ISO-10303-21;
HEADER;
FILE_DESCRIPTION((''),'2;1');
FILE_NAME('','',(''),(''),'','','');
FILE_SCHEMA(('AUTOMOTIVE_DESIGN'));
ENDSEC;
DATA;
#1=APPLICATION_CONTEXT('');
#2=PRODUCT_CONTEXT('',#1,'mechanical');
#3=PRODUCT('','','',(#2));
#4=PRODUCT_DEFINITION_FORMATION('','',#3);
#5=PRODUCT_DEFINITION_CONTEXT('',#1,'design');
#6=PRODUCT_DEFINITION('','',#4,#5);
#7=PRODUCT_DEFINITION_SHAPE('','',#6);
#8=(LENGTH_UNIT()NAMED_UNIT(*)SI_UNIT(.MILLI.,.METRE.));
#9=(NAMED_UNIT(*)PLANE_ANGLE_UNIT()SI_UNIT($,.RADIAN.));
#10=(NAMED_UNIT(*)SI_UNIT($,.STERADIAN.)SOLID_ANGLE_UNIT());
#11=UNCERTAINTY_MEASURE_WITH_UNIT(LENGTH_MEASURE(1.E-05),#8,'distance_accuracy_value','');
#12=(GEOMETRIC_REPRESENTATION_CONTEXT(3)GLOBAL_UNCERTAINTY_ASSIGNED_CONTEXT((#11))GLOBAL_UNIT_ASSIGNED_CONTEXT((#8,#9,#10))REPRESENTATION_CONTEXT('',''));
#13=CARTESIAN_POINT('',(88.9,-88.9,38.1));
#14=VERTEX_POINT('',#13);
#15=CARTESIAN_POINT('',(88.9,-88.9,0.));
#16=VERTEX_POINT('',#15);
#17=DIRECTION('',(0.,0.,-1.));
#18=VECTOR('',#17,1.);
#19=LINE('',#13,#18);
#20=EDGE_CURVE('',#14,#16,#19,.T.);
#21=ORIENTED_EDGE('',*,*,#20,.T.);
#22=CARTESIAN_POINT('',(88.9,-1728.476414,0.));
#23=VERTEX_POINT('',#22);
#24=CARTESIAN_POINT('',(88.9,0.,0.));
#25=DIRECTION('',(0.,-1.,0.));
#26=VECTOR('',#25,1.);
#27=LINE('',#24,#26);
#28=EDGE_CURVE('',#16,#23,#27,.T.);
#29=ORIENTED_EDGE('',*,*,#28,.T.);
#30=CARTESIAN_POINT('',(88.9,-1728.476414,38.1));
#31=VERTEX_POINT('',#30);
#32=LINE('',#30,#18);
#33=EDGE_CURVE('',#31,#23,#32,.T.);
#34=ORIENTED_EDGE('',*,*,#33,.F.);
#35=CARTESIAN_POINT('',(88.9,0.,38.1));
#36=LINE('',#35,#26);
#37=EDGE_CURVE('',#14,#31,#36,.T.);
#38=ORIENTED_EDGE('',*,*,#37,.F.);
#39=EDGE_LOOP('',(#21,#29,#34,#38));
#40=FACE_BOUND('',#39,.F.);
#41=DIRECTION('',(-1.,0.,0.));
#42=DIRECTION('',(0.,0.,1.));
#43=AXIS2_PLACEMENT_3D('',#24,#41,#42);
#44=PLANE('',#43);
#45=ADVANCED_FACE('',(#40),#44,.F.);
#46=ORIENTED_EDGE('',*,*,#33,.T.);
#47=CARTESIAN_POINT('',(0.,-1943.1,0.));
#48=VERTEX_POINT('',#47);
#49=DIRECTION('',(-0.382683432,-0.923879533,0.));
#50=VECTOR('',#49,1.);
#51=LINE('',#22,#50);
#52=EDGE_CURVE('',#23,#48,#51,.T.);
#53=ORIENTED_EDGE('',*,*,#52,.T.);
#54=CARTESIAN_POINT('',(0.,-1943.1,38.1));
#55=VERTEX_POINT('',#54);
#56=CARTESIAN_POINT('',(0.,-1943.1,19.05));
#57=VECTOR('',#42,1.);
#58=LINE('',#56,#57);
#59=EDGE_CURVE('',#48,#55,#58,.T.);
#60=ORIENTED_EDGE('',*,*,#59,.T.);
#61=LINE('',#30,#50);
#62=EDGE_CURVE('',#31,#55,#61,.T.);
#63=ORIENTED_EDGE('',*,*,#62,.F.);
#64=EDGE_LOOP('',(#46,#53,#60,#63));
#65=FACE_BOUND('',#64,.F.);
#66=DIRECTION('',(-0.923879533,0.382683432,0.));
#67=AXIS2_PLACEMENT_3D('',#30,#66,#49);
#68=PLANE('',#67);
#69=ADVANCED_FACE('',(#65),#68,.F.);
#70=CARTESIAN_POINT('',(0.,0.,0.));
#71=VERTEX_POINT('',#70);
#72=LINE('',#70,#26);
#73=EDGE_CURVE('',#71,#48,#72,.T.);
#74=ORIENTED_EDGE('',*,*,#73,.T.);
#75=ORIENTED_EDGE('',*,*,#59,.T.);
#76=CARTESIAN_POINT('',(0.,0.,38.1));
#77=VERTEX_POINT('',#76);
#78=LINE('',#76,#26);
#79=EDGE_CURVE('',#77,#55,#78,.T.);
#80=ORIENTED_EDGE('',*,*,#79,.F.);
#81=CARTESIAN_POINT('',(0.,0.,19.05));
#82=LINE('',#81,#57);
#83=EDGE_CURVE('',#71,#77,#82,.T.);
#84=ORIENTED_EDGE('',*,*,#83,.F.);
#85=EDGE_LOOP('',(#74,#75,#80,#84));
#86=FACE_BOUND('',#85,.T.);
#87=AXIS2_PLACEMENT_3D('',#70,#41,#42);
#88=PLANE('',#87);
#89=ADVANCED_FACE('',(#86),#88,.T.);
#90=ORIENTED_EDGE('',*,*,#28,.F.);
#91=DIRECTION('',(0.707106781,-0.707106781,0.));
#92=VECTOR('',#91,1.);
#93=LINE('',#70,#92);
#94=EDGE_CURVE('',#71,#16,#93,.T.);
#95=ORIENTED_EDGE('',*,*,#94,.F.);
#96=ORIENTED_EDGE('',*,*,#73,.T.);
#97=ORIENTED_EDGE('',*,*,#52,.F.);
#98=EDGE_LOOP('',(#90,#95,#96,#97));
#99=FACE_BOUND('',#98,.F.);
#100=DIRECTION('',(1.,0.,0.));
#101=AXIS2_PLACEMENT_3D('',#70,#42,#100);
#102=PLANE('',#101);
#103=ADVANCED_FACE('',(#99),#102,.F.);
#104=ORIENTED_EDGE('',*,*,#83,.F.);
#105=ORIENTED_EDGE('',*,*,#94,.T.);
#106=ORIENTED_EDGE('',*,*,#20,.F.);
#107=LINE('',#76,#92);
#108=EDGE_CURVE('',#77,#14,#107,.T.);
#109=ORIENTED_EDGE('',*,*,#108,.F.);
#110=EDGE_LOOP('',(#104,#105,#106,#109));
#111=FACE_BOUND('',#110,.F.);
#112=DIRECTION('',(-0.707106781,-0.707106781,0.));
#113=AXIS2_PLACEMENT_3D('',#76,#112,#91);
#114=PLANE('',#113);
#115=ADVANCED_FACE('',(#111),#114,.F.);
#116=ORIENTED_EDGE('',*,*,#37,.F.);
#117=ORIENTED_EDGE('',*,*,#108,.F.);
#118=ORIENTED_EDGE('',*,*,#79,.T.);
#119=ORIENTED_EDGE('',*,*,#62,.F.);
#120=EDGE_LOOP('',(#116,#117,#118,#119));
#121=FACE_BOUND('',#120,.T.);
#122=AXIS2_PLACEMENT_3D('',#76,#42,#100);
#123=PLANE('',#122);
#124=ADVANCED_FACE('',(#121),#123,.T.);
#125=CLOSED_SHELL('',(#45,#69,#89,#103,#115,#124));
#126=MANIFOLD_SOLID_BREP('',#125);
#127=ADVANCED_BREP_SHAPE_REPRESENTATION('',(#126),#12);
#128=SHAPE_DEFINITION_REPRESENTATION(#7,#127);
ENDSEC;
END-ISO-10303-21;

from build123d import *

# Parameters (mm, degrees)
F0_W     = 88.9
F0_H     = 38.1
F1_DEPTH = 1943.1
F3_DEPTH = 38.1
F5_DEPTH = 38.1


with BuildPart() as f1:
    # F0 (on Front) → F1 (new body)
    with BuildSketch(Plane.XZ):
        with Locations((44.45, 19.05)):
            Rectangle(F0_W, F0_H)
    extrude(amount=F1_DEPTH)

    # F2 (on face) → F3 (cut, through all)
    with BuildSketch(Plane.XY.offset(38.1)):
        Polygon((88.9, -1728.476414), (0, -1943.1), (88.9, -1943.1), align=None)
    extrude(amount=-F3_DEPTH, mode=Mode.SUBTRACT)

    # F4 (on face) → F5 (cut, through all)
    with BuildSketch(Plane.XY.offset(38.1)):
        Polygon((88.9, 0), (0, 0), (88.9, -88.9), align=None)
    extrude(amount=-F5_DEPTH, mode=Mode.SUBTRACT)


solid = f1.part
